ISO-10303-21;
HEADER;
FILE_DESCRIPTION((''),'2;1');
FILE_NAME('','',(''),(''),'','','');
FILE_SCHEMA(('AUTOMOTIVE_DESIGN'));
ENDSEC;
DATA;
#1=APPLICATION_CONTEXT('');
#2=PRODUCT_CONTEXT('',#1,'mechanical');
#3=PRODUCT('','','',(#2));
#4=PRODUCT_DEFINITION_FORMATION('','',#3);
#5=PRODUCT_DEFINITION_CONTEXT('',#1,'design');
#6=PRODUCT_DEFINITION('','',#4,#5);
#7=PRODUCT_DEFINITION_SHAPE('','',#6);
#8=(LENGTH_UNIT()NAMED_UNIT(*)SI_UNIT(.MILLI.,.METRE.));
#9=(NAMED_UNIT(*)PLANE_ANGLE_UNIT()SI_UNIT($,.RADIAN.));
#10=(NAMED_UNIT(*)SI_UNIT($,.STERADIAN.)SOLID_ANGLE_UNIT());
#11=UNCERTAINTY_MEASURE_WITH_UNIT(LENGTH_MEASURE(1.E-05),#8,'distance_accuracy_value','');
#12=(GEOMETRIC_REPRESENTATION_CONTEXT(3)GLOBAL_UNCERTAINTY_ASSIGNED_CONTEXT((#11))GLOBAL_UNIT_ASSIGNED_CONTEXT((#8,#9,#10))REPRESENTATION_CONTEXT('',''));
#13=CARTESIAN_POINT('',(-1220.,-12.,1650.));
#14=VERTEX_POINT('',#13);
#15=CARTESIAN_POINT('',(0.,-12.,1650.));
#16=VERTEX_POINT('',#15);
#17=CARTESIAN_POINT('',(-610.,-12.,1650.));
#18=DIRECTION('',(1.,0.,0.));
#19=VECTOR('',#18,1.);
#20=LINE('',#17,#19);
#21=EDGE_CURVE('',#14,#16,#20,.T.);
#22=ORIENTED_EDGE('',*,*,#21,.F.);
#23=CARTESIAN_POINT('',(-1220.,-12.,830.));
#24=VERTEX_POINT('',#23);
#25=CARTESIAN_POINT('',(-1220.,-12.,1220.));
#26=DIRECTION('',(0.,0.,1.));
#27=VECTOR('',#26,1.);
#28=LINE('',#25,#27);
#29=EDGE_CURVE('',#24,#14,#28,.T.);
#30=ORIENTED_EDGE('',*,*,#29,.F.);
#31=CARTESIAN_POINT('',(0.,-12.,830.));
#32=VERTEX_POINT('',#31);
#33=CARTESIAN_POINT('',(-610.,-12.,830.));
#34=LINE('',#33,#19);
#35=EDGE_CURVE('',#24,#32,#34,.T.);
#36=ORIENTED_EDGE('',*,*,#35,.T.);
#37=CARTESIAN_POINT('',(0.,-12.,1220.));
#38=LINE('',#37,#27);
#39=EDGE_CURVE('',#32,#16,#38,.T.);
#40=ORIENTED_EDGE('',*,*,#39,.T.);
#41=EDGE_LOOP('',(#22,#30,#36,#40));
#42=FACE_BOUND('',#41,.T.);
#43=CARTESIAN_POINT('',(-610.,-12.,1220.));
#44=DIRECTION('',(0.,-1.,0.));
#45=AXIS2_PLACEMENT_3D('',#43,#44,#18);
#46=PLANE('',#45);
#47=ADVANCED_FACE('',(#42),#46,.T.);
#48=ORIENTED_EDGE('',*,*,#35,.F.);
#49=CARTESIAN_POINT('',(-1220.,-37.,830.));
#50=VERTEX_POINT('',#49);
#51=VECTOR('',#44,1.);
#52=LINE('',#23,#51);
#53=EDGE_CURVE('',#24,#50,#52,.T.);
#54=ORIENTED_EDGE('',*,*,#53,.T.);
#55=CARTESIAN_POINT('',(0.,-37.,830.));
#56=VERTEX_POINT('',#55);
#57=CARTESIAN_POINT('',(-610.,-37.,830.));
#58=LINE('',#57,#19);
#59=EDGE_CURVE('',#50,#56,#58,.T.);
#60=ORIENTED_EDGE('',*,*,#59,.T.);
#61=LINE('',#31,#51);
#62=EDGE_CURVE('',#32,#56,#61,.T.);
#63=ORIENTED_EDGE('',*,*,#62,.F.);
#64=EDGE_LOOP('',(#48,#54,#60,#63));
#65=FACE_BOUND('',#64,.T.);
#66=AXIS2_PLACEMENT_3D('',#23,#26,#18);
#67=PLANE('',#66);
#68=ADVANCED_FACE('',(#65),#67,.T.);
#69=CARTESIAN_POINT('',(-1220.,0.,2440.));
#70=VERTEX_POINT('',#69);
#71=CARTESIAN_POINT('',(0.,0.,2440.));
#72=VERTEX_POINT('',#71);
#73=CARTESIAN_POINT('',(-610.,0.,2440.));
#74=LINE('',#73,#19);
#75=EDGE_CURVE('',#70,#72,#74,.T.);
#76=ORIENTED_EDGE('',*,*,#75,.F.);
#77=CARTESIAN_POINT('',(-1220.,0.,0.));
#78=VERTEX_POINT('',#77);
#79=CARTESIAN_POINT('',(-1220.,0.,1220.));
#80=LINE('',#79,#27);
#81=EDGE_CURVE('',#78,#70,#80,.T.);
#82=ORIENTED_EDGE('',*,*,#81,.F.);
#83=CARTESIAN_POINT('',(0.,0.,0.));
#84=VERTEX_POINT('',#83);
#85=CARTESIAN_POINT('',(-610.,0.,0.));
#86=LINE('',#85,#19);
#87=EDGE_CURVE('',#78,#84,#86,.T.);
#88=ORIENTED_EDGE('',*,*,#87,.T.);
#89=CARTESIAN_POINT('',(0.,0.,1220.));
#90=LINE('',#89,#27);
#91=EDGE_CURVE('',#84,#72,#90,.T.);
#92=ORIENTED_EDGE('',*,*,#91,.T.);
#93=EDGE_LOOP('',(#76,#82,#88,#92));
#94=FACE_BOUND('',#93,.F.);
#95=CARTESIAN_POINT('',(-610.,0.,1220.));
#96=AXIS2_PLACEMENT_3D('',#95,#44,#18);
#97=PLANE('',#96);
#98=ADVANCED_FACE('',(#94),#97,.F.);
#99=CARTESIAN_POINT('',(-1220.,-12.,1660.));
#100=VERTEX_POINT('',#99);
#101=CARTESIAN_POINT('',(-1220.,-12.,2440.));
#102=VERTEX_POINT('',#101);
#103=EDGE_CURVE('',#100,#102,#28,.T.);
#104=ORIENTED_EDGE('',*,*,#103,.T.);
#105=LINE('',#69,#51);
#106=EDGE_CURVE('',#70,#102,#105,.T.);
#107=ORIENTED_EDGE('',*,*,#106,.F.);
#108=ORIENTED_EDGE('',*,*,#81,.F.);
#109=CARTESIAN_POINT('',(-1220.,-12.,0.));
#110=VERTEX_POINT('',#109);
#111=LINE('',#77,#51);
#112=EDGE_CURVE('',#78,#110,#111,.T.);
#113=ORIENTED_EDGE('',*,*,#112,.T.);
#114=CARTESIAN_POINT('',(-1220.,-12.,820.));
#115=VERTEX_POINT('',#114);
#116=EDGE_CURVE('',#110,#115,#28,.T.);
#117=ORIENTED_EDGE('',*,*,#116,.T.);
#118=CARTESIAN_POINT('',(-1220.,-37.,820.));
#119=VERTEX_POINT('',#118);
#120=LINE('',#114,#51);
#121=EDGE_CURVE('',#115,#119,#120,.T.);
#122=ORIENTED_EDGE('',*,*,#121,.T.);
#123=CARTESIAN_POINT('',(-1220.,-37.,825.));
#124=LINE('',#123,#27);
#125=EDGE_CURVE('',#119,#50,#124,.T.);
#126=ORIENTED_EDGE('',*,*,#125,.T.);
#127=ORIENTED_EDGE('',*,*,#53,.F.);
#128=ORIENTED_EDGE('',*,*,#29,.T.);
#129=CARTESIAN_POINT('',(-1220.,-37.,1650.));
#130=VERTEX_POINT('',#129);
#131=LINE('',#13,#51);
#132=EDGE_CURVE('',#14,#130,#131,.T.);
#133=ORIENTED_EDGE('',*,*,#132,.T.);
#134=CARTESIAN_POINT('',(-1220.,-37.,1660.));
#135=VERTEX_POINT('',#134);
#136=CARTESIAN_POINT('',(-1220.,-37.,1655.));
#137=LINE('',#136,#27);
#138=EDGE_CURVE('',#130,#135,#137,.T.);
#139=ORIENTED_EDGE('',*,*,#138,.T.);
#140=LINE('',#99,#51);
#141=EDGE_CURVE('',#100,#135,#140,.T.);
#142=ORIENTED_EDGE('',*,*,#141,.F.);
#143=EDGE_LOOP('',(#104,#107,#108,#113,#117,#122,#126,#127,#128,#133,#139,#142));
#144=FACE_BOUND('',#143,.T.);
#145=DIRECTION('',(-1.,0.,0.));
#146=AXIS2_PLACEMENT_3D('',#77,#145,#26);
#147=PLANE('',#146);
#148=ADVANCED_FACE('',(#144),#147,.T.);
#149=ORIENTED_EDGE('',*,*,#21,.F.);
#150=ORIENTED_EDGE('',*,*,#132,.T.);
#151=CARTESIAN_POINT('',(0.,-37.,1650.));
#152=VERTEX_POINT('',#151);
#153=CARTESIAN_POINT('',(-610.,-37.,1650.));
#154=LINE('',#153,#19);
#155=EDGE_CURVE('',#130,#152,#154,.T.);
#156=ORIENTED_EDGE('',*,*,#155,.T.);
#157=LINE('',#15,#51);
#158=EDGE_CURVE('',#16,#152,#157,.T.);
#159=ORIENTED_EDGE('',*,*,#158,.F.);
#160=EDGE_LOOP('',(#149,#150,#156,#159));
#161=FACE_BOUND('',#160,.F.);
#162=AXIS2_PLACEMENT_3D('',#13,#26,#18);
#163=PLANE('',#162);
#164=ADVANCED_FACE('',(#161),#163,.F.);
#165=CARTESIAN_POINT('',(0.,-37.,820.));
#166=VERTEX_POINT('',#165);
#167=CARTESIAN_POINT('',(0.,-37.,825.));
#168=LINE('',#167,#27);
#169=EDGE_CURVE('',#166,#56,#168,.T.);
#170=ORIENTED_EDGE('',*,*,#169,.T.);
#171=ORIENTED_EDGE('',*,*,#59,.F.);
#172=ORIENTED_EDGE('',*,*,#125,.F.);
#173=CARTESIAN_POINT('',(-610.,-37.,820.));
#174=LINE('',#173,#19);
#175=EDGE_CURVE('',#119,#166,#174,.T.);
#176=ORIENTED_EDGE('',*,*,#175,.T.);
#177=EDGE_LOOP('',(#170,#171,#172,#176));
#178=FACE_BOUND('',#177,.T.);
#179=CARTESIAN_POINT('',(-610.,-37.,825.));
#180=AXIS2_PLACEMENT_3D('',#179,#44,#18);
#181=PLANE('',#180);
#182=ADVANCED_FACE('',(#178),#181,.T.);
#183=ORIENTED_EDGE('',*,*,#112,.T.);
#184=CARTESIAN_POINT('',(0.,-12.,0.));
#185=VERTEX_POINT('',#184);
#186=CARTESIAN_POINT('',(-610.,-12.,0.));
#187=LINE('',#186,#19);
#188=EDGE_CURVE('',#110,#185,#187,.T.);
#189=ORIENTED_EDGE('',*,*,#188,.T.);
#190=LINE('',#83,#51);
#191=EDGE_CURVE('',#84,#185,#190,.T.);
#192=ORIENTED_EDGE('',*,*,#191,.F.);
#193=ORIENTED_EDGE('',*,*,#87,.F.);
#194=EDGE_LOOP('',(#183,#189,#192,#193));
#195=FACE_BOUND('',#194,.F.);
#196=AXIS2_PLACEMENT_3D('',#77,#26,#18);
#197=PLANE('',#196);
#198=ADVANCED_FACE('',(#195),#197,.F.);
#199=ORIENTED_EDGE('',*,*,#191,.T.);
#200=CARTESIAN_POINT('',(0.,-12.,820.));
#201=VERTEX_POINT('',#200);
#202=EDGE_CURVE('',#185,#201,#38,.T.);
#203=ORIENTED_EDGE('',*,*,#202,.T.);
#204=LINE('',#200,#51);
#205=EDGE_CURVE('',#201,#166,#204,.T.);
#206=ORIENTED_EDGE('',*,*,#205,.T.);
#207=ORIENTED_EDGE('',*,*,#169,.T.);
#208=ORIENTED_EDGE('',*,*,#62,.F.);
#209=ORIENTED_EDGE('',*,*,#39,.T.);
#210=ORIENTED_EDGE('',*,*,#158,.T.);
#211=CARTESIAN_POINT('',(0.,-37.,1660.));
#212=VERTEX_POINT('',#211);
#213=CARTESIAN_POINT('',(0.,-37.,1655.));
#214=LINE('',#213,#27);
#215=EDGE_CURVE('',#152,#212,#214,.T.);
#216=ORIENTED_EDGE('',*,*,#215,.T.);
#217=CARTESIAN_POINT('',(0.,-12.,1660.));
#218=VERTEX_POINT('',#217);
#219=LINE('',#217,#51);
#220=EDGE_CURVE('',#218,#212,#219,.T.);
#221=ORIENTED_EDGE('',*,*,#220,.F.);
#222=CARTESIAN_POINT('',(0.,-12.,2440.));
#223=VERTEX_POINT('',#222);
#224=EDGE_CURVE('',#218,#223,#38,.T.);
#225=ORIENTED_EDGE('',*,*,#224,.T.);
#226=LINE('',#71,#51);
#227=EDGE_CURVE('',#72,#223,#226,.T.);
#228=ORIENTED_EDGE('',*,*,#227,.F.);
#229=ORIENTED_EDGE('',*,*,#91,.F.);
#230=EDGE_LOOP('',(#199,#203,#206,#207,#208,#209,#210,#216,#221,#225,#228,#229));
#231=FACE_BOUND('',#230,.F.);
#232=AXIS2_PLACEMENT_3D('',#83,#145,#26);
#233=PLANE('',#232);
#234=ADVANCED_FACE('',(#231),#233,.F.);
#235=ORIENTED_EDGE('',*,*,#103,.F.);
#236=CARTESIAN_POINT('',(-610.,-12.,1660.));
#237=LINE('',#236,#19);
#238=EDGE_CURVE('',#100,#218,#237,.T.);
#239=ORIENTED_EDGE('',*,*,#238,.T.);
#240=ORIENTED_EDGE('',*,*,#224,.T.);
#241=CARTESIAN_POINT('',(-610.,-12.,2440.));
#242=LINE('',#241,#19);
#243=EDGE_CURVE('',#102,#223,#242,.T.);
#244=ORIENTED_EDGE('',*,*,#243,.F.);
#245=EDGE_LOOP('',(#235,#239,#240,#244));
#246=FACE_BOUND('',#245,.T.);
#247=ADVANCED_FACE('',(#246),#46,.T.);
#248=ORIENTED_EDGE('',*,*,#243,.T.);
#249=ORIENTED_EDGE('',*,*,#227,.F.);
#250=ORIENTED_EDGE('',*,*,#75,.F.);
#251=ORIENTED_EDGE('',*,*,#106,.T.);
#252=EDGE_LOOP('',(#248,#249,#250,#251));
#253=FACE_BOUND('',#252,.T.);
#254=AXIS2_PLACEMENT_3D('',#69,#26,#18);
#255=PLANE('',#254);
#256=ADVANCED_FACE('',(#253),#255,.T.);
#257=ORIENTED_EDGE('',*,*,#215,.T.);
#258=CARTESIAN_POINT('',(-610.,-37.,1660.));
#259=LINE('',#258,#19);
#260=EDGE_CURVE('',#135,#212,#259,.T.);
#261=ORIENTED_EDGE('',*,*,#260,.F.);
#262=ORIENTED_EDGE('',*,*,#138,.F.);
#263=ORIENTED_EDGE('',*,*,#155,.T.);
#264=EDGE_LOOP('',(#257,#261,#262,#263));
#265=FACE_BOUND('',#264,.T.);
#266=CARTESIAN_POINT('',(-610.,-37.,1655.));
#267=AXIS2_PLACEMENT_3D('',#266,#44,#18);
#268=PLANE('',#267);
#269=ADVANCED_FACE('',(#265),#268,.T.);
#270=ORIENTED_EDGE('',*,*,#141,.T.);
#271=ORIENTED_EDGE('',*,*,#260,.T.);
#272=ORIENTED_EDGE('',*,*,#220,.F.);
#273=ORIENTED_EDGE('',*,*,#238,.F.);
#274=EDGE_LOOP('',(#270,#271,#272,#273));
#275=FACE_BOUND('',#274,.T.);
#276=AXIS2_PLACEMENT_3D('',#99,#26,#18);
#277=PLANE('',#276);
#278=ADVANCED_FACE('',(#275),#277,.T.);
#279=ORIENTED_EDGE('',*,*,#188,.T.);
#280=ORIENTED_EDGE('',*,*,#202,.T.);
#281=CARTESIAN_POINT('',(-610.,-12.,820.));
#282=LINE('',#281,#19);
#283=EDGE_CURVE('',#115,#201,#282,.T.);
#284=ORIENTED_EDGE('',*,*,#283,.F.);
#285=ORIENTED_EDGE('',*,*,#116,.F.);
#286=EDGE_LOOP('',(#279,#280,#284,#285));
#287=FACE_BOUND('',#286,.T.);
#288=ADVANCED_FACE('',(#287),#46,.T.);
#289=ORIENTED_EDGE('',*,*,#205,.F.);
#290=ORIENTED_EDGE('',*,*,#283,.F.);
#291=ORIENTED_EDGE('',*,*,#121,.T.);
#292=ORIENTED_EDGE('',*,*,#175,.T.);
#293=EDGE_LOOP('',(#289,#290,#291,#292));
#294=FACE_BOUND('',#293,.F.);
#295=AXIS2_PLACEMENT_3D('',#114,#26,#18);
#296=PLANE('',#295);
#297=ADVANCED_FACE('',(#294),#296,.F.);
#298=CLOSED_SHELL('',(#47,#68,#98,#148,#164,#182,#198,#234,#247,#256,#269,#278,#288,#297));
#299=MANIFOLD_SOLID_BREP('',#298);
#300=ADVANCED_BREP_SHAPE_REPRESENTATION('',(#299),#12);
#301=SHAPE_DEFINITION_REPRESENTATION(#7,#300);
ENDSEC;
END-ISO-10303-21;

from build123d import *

# Parameters (mm, degrees)
F0_W     = 1220
F0_H     = 2440
F1_DEPTH = 12
F2_W     = 1220
F2_H     = 10
F3_DEPTH = 25


with BuildPart() as f1:
    # F0 (on Front) → F1 (new body)
    with BuildSketch(Plane.XZ):
        with Locations((-610, 1220)):
            Rectangle(F0_W, F0_H)
    extrude(amount=F1_DEPTH)

    # F2 (on face) → F3 (join)
    with BuildSketch(Plane.XZ.offset(12)):
        with Locations((-610, 825)):
            Rectangle(F2_W, F2_H)
        with Locations((-610, 1655)):
            Rectangle(F2_W, F2_H)
    extrude(amount=F3_DEPTH)


solid = f1.part
